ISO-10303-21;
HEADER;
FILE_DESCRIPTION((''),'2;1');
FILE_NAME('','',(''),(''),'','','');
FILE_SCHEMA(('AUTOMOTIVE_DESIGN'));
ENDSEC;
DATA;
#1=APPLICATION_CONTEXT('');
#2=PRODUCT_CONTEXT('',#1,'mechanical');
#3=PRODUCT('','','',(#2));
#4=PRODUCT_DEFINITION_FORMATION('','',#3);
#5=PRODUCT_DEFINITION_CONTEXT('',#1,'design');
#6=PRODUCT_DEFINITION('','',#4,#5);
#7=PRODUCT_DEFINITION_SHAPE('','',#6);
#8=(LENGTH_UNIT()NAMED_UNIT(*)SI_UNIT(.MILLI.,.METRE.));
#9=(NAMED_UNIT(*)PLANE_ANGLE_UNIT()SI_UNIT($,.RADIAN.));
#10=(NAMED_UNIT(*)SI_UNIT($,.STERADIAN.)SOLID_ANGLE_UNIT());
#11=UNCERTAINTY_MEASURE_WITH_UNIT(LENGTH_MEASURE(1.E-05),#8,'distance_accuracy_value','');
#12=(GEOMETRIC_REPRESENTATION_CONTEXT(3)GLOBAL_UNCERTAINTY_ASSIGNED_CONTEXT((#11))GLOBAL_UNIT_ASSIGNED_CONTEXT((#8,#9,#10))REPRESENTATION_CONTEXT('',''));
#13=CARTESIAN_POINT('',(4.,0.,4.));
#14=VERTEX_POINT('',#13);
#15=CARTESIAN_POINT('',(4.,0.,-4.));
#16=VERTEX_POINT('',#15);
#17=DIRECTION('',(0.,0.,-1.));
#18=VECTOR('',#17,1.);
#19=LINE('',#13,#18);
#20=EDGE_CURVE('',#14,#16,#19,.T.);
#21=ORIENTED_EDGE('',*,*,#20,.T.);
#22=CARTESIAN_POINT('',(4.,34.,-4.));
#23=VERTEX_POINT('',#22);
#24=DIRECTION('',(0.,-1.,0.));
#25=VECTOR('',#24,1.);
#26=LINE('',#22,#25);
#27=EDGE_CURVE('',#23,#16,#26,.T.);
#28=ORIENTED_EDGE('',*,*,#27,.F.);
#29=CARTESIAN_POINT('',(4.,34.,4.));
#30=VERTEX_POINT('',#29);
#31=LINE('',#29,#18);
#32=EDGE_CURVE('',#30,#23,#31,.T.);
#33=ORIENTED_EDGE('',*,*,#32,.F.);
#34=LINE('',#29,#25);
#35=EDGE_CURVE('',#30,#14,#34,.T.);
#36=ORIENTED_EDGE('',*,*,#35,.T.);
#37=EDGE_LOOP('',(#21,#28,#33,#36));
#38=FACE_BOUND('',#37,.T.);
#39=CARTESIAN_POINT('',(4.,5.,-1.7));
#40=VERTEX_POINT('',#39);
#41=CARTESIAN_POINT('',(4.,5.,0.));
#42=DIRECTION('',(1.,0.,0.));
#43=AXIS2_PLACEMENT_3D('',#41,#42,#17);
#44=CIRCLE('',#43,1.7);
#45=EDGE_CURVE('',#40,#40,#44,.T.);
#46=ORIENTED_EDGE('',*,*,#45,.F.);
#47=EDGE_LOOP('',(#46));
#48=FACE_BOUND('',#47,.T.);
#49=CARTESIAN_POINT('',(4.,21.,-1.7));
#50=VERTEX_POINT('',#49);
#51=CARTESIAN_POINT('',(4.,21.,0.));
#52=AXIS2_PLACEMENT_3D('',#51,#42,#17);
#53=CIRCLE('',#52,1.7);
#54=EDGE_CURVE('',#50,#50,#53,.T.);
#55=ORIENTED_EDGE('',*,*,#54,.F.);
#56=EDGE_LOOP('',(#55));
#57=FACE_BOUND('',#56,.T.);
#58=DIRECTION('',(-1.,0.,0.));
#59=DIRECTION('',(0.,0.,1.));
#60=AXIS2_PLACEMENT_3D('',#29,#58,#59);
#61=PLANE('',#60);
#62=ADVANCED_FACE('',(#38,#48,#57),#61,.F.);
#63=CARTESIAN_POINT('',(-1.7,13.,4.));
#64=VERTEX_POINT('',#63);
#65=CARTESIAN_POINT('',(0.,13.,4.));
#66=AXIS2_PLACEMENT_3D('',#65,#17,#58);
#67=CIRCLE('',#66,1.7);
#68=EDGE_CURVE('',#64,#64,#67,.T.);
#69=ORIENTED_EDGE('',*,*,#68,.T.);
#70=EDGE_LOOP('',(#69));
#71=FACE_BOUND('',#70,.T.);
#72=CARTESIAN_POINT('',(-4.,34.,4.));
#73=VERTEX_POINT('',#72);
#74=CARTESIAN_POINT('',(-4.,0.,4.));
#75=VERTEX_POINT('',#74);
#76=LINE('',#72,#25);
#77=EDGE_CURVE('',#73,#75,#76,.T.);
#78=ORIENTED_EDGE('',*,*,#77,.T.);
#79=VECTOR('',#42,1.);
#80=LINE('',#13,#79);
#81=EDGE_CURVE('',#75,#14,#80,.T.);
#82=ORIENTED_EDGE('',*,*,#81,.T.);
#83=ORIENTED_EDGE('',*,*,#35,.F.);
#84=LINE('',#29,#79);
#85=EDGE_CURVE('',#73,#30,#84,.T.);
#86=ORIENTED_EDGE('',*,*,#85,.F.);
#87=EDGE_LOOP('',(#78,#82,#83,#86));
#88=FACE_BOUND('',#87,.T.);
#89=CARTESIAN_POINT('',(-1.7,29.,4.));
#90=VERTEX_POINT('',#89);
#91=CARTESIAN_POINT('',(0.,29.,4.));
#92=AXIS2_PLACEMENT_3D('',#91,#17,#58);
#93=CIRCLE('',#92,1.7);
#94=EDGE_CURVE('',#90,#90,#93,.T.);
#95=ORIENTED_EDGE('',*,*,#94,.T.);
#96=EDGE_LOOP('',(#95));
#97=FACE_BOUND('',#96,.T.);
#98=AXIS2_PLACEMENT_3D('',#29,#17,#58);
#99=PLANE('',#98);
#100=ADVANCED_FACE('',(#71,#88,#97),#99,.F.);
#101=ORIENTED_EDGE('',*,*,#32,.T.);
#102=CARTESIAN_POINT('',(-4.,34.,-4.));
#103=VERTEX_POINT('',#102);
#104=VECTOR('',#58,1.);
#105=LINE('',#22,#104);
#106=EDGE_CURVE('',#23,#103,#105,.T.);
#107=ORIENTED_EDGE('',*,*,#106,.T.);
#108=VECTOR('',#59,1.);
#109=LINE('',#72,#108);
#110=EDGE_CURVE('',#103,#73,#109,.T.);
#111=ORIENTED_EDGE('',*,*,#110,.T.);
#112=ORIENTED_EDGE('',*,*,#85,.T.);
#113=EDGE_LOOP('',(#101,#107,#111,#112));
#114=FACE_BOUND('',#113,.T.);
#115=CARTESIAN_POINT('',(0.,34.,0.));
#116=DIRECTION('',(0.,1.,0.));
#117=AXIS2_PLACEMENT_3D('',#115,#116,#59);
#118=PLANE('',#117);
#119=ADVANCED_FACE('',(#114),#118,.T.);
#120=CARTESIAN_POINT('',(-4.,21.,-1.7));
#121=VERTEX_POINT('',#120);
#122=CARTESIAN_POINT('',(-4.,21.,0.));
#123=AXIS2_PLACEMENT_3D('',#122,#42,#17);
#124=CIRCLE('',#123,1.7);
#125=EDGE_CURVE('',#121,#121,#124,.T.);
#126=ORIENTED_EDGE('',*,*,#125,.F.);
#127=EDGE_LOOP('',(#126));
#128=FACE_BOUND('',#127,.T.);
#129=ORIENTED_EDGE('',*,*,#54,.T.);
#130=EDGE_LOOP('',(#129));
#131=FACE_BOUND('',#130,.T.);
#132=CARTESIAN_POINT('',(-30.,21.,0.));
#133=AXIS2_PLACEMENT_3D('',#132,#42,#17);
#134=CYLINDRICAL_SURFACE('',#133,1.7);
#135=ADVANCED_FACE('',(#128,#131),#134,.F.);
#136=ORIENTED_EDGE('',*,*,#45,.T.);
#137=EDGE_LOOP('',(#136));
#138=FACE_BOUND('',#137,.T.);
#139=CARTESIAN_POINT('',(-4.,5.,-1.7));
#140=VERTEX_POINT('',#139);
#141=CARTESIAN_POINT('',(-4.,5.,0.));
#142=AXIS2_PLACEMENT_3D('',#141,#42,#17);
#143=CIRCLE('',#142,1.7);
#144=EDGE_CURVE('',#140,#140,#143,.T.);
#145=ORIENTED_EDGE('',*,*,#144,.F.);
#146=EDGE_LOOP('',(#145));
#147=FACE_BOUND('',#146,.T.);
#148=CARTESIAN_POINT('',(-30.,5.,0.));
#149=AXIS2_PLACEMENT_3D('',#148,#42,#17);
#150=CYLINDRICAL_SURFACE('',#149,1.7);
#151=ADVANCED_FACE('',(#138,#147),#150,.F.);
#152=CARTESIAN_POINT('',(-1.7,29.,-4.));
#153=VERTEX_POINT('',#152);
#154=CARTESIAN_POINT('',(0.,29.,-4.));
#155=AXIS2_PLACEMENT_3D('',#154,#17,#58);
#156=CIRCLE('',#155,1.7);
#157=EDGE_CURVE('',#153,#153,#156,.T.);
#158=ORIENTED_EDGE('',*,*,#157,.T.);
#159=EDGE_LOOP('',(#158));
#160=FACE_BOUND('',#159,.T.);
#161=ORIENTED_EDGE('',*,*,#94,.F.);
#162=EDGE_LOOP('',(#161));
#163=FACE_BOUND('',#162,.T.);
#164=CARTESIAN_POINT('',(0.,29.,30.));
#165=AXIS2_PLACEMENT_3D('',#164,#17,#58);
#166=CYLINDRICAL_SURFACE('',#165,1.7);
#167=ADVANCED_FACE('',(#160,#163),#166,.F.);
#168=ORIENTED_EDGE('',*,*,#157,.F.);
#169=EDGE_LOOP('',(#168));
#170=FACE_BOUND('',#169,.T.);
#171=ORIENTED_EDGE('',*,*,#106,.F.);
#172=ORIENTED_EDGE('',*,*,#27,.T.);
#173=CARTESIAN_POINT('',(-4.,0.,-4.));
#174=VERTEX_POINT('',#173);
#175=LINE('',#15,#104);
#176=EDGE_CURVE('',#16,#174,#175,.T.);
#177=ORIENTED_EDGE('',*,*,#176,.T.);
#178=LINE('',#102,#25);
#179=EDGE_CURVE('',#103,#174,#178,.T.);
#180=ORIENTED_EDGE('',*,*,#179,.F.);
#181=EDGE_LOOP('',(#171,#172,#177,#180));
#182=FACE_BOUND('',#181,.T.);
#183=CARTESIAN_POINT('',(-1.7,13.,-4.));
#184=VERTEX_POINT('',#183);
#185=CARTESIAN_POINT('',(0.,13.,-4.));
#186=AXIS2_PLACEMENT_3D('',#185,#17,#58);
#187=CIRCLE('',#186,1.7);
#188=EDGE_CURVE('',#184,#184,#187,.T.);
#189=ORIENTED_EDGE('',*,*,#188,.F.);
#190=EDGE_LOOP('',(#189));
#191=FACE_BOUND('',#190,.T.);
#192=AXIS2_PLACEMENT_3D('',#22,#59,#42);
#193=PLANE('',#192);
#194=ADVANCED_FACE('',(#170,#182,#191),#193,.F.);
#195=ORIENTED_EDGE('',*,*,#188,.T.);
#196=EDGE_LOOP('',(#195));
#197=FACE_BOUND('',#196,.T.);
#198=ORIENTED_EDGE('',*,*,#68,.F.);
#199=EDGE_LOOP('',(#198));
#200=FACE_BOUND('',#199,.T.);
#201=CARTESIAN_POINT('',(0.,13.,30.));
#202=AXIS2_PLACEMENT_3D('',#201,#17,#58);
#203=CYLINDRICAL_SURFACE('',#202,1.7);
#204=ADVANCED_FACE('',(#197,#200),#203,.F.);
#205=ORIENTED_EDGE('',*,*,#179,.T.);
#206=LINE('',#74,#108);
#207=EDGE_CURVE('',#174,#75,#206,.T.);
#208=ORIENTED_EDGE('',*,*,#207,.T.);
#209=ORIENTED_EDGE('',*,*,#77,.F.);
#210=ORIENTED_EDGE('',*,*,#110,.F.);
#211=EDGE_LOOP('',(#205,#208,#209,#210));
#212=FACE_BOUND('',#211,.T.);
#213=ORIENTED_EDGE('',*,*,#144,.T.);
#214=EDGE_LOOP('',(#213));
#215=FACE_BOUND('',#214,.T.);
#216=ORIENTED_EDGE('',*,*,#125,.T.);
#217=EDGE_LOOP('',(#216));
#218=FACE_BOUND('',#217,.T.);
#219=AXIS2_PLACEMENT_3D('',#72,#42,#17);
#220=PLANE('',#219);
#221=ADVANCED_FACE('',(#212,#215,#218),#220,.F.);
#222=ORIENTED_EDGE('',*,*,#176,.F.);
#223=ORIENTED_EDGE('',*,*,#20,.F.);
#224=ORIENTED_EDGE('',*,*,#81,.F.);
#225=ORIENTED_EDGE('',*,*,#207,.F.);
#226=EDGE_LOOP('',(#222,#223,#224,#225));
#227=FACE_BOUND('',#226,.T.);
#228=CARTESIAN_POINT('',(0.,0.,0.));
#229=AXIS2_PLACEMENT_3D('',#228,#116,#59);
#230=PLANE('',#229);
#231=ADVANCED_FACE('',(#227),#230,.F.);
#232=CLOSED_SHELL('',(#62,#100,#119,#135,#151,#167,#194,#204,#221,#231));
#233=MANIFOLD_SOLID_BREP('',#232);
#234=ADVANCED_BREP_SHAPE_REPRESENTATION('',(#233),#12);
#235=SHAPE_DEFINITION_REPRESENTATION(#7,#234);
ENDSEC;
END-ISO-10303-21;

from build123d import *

# Parameters (mm, degrees)
SKETCH_1_W          = 8
SKETCH_1_H          = 8
EXTRUDE_1_DEPTH     = 34
SKETCH_2_R          = 1.7
CUT_EXTRUDE_1_DEPTH = 34
SKETCH_3_R          = 1.7
CUT_EXTRUDE_2_DEPTH = 34


with BuildPart() as part:
    # 草图1 → 凸台-拉伸1 (new body)
    with BuildSketch(Plane(origin=(0, 0, 0), x_dir=(1, 0, 0), z_dir=(0, 1, 0))):
        Rectangle(SKETCH_1_W, SKETCH_1_H)
    extrude(amount=EXTRUDE_1_DEPTH)

    # 草图2 → 切除-拉伸1 (cut)
    with BuildSketch(Plane(origin=(0, 0, -4), x_dir=(-1, 0, 0), z_dir=(0, 0, -1))):
        with Locations((0, 29)):
            Circle(SKETCH_2_R)
        with Locations((0, 13)):
            Circle(SKETCH_2_R)
    extrude(amount=-CUT_EXTRUDE_1_DEPTH, mode=Mode.SUBTRACT)

    # 草图3 → 切除-拉伸2 (cut)
    with BuildSketch(Plane(origin=(4, 0, 0), x_dir=(0, 0, -1), z_dir=(1, 0, 0))):
        with Locations((0, 5)):
            Circle(SKETCH_3_R)
        with Locations((0, 21)):
            Circle(SKETCH_3_R)
    extrude(amount=-CUT_EXTRUDE_2_DEPTH, mode=Mode.SUBTRACT)


solid = part.part
